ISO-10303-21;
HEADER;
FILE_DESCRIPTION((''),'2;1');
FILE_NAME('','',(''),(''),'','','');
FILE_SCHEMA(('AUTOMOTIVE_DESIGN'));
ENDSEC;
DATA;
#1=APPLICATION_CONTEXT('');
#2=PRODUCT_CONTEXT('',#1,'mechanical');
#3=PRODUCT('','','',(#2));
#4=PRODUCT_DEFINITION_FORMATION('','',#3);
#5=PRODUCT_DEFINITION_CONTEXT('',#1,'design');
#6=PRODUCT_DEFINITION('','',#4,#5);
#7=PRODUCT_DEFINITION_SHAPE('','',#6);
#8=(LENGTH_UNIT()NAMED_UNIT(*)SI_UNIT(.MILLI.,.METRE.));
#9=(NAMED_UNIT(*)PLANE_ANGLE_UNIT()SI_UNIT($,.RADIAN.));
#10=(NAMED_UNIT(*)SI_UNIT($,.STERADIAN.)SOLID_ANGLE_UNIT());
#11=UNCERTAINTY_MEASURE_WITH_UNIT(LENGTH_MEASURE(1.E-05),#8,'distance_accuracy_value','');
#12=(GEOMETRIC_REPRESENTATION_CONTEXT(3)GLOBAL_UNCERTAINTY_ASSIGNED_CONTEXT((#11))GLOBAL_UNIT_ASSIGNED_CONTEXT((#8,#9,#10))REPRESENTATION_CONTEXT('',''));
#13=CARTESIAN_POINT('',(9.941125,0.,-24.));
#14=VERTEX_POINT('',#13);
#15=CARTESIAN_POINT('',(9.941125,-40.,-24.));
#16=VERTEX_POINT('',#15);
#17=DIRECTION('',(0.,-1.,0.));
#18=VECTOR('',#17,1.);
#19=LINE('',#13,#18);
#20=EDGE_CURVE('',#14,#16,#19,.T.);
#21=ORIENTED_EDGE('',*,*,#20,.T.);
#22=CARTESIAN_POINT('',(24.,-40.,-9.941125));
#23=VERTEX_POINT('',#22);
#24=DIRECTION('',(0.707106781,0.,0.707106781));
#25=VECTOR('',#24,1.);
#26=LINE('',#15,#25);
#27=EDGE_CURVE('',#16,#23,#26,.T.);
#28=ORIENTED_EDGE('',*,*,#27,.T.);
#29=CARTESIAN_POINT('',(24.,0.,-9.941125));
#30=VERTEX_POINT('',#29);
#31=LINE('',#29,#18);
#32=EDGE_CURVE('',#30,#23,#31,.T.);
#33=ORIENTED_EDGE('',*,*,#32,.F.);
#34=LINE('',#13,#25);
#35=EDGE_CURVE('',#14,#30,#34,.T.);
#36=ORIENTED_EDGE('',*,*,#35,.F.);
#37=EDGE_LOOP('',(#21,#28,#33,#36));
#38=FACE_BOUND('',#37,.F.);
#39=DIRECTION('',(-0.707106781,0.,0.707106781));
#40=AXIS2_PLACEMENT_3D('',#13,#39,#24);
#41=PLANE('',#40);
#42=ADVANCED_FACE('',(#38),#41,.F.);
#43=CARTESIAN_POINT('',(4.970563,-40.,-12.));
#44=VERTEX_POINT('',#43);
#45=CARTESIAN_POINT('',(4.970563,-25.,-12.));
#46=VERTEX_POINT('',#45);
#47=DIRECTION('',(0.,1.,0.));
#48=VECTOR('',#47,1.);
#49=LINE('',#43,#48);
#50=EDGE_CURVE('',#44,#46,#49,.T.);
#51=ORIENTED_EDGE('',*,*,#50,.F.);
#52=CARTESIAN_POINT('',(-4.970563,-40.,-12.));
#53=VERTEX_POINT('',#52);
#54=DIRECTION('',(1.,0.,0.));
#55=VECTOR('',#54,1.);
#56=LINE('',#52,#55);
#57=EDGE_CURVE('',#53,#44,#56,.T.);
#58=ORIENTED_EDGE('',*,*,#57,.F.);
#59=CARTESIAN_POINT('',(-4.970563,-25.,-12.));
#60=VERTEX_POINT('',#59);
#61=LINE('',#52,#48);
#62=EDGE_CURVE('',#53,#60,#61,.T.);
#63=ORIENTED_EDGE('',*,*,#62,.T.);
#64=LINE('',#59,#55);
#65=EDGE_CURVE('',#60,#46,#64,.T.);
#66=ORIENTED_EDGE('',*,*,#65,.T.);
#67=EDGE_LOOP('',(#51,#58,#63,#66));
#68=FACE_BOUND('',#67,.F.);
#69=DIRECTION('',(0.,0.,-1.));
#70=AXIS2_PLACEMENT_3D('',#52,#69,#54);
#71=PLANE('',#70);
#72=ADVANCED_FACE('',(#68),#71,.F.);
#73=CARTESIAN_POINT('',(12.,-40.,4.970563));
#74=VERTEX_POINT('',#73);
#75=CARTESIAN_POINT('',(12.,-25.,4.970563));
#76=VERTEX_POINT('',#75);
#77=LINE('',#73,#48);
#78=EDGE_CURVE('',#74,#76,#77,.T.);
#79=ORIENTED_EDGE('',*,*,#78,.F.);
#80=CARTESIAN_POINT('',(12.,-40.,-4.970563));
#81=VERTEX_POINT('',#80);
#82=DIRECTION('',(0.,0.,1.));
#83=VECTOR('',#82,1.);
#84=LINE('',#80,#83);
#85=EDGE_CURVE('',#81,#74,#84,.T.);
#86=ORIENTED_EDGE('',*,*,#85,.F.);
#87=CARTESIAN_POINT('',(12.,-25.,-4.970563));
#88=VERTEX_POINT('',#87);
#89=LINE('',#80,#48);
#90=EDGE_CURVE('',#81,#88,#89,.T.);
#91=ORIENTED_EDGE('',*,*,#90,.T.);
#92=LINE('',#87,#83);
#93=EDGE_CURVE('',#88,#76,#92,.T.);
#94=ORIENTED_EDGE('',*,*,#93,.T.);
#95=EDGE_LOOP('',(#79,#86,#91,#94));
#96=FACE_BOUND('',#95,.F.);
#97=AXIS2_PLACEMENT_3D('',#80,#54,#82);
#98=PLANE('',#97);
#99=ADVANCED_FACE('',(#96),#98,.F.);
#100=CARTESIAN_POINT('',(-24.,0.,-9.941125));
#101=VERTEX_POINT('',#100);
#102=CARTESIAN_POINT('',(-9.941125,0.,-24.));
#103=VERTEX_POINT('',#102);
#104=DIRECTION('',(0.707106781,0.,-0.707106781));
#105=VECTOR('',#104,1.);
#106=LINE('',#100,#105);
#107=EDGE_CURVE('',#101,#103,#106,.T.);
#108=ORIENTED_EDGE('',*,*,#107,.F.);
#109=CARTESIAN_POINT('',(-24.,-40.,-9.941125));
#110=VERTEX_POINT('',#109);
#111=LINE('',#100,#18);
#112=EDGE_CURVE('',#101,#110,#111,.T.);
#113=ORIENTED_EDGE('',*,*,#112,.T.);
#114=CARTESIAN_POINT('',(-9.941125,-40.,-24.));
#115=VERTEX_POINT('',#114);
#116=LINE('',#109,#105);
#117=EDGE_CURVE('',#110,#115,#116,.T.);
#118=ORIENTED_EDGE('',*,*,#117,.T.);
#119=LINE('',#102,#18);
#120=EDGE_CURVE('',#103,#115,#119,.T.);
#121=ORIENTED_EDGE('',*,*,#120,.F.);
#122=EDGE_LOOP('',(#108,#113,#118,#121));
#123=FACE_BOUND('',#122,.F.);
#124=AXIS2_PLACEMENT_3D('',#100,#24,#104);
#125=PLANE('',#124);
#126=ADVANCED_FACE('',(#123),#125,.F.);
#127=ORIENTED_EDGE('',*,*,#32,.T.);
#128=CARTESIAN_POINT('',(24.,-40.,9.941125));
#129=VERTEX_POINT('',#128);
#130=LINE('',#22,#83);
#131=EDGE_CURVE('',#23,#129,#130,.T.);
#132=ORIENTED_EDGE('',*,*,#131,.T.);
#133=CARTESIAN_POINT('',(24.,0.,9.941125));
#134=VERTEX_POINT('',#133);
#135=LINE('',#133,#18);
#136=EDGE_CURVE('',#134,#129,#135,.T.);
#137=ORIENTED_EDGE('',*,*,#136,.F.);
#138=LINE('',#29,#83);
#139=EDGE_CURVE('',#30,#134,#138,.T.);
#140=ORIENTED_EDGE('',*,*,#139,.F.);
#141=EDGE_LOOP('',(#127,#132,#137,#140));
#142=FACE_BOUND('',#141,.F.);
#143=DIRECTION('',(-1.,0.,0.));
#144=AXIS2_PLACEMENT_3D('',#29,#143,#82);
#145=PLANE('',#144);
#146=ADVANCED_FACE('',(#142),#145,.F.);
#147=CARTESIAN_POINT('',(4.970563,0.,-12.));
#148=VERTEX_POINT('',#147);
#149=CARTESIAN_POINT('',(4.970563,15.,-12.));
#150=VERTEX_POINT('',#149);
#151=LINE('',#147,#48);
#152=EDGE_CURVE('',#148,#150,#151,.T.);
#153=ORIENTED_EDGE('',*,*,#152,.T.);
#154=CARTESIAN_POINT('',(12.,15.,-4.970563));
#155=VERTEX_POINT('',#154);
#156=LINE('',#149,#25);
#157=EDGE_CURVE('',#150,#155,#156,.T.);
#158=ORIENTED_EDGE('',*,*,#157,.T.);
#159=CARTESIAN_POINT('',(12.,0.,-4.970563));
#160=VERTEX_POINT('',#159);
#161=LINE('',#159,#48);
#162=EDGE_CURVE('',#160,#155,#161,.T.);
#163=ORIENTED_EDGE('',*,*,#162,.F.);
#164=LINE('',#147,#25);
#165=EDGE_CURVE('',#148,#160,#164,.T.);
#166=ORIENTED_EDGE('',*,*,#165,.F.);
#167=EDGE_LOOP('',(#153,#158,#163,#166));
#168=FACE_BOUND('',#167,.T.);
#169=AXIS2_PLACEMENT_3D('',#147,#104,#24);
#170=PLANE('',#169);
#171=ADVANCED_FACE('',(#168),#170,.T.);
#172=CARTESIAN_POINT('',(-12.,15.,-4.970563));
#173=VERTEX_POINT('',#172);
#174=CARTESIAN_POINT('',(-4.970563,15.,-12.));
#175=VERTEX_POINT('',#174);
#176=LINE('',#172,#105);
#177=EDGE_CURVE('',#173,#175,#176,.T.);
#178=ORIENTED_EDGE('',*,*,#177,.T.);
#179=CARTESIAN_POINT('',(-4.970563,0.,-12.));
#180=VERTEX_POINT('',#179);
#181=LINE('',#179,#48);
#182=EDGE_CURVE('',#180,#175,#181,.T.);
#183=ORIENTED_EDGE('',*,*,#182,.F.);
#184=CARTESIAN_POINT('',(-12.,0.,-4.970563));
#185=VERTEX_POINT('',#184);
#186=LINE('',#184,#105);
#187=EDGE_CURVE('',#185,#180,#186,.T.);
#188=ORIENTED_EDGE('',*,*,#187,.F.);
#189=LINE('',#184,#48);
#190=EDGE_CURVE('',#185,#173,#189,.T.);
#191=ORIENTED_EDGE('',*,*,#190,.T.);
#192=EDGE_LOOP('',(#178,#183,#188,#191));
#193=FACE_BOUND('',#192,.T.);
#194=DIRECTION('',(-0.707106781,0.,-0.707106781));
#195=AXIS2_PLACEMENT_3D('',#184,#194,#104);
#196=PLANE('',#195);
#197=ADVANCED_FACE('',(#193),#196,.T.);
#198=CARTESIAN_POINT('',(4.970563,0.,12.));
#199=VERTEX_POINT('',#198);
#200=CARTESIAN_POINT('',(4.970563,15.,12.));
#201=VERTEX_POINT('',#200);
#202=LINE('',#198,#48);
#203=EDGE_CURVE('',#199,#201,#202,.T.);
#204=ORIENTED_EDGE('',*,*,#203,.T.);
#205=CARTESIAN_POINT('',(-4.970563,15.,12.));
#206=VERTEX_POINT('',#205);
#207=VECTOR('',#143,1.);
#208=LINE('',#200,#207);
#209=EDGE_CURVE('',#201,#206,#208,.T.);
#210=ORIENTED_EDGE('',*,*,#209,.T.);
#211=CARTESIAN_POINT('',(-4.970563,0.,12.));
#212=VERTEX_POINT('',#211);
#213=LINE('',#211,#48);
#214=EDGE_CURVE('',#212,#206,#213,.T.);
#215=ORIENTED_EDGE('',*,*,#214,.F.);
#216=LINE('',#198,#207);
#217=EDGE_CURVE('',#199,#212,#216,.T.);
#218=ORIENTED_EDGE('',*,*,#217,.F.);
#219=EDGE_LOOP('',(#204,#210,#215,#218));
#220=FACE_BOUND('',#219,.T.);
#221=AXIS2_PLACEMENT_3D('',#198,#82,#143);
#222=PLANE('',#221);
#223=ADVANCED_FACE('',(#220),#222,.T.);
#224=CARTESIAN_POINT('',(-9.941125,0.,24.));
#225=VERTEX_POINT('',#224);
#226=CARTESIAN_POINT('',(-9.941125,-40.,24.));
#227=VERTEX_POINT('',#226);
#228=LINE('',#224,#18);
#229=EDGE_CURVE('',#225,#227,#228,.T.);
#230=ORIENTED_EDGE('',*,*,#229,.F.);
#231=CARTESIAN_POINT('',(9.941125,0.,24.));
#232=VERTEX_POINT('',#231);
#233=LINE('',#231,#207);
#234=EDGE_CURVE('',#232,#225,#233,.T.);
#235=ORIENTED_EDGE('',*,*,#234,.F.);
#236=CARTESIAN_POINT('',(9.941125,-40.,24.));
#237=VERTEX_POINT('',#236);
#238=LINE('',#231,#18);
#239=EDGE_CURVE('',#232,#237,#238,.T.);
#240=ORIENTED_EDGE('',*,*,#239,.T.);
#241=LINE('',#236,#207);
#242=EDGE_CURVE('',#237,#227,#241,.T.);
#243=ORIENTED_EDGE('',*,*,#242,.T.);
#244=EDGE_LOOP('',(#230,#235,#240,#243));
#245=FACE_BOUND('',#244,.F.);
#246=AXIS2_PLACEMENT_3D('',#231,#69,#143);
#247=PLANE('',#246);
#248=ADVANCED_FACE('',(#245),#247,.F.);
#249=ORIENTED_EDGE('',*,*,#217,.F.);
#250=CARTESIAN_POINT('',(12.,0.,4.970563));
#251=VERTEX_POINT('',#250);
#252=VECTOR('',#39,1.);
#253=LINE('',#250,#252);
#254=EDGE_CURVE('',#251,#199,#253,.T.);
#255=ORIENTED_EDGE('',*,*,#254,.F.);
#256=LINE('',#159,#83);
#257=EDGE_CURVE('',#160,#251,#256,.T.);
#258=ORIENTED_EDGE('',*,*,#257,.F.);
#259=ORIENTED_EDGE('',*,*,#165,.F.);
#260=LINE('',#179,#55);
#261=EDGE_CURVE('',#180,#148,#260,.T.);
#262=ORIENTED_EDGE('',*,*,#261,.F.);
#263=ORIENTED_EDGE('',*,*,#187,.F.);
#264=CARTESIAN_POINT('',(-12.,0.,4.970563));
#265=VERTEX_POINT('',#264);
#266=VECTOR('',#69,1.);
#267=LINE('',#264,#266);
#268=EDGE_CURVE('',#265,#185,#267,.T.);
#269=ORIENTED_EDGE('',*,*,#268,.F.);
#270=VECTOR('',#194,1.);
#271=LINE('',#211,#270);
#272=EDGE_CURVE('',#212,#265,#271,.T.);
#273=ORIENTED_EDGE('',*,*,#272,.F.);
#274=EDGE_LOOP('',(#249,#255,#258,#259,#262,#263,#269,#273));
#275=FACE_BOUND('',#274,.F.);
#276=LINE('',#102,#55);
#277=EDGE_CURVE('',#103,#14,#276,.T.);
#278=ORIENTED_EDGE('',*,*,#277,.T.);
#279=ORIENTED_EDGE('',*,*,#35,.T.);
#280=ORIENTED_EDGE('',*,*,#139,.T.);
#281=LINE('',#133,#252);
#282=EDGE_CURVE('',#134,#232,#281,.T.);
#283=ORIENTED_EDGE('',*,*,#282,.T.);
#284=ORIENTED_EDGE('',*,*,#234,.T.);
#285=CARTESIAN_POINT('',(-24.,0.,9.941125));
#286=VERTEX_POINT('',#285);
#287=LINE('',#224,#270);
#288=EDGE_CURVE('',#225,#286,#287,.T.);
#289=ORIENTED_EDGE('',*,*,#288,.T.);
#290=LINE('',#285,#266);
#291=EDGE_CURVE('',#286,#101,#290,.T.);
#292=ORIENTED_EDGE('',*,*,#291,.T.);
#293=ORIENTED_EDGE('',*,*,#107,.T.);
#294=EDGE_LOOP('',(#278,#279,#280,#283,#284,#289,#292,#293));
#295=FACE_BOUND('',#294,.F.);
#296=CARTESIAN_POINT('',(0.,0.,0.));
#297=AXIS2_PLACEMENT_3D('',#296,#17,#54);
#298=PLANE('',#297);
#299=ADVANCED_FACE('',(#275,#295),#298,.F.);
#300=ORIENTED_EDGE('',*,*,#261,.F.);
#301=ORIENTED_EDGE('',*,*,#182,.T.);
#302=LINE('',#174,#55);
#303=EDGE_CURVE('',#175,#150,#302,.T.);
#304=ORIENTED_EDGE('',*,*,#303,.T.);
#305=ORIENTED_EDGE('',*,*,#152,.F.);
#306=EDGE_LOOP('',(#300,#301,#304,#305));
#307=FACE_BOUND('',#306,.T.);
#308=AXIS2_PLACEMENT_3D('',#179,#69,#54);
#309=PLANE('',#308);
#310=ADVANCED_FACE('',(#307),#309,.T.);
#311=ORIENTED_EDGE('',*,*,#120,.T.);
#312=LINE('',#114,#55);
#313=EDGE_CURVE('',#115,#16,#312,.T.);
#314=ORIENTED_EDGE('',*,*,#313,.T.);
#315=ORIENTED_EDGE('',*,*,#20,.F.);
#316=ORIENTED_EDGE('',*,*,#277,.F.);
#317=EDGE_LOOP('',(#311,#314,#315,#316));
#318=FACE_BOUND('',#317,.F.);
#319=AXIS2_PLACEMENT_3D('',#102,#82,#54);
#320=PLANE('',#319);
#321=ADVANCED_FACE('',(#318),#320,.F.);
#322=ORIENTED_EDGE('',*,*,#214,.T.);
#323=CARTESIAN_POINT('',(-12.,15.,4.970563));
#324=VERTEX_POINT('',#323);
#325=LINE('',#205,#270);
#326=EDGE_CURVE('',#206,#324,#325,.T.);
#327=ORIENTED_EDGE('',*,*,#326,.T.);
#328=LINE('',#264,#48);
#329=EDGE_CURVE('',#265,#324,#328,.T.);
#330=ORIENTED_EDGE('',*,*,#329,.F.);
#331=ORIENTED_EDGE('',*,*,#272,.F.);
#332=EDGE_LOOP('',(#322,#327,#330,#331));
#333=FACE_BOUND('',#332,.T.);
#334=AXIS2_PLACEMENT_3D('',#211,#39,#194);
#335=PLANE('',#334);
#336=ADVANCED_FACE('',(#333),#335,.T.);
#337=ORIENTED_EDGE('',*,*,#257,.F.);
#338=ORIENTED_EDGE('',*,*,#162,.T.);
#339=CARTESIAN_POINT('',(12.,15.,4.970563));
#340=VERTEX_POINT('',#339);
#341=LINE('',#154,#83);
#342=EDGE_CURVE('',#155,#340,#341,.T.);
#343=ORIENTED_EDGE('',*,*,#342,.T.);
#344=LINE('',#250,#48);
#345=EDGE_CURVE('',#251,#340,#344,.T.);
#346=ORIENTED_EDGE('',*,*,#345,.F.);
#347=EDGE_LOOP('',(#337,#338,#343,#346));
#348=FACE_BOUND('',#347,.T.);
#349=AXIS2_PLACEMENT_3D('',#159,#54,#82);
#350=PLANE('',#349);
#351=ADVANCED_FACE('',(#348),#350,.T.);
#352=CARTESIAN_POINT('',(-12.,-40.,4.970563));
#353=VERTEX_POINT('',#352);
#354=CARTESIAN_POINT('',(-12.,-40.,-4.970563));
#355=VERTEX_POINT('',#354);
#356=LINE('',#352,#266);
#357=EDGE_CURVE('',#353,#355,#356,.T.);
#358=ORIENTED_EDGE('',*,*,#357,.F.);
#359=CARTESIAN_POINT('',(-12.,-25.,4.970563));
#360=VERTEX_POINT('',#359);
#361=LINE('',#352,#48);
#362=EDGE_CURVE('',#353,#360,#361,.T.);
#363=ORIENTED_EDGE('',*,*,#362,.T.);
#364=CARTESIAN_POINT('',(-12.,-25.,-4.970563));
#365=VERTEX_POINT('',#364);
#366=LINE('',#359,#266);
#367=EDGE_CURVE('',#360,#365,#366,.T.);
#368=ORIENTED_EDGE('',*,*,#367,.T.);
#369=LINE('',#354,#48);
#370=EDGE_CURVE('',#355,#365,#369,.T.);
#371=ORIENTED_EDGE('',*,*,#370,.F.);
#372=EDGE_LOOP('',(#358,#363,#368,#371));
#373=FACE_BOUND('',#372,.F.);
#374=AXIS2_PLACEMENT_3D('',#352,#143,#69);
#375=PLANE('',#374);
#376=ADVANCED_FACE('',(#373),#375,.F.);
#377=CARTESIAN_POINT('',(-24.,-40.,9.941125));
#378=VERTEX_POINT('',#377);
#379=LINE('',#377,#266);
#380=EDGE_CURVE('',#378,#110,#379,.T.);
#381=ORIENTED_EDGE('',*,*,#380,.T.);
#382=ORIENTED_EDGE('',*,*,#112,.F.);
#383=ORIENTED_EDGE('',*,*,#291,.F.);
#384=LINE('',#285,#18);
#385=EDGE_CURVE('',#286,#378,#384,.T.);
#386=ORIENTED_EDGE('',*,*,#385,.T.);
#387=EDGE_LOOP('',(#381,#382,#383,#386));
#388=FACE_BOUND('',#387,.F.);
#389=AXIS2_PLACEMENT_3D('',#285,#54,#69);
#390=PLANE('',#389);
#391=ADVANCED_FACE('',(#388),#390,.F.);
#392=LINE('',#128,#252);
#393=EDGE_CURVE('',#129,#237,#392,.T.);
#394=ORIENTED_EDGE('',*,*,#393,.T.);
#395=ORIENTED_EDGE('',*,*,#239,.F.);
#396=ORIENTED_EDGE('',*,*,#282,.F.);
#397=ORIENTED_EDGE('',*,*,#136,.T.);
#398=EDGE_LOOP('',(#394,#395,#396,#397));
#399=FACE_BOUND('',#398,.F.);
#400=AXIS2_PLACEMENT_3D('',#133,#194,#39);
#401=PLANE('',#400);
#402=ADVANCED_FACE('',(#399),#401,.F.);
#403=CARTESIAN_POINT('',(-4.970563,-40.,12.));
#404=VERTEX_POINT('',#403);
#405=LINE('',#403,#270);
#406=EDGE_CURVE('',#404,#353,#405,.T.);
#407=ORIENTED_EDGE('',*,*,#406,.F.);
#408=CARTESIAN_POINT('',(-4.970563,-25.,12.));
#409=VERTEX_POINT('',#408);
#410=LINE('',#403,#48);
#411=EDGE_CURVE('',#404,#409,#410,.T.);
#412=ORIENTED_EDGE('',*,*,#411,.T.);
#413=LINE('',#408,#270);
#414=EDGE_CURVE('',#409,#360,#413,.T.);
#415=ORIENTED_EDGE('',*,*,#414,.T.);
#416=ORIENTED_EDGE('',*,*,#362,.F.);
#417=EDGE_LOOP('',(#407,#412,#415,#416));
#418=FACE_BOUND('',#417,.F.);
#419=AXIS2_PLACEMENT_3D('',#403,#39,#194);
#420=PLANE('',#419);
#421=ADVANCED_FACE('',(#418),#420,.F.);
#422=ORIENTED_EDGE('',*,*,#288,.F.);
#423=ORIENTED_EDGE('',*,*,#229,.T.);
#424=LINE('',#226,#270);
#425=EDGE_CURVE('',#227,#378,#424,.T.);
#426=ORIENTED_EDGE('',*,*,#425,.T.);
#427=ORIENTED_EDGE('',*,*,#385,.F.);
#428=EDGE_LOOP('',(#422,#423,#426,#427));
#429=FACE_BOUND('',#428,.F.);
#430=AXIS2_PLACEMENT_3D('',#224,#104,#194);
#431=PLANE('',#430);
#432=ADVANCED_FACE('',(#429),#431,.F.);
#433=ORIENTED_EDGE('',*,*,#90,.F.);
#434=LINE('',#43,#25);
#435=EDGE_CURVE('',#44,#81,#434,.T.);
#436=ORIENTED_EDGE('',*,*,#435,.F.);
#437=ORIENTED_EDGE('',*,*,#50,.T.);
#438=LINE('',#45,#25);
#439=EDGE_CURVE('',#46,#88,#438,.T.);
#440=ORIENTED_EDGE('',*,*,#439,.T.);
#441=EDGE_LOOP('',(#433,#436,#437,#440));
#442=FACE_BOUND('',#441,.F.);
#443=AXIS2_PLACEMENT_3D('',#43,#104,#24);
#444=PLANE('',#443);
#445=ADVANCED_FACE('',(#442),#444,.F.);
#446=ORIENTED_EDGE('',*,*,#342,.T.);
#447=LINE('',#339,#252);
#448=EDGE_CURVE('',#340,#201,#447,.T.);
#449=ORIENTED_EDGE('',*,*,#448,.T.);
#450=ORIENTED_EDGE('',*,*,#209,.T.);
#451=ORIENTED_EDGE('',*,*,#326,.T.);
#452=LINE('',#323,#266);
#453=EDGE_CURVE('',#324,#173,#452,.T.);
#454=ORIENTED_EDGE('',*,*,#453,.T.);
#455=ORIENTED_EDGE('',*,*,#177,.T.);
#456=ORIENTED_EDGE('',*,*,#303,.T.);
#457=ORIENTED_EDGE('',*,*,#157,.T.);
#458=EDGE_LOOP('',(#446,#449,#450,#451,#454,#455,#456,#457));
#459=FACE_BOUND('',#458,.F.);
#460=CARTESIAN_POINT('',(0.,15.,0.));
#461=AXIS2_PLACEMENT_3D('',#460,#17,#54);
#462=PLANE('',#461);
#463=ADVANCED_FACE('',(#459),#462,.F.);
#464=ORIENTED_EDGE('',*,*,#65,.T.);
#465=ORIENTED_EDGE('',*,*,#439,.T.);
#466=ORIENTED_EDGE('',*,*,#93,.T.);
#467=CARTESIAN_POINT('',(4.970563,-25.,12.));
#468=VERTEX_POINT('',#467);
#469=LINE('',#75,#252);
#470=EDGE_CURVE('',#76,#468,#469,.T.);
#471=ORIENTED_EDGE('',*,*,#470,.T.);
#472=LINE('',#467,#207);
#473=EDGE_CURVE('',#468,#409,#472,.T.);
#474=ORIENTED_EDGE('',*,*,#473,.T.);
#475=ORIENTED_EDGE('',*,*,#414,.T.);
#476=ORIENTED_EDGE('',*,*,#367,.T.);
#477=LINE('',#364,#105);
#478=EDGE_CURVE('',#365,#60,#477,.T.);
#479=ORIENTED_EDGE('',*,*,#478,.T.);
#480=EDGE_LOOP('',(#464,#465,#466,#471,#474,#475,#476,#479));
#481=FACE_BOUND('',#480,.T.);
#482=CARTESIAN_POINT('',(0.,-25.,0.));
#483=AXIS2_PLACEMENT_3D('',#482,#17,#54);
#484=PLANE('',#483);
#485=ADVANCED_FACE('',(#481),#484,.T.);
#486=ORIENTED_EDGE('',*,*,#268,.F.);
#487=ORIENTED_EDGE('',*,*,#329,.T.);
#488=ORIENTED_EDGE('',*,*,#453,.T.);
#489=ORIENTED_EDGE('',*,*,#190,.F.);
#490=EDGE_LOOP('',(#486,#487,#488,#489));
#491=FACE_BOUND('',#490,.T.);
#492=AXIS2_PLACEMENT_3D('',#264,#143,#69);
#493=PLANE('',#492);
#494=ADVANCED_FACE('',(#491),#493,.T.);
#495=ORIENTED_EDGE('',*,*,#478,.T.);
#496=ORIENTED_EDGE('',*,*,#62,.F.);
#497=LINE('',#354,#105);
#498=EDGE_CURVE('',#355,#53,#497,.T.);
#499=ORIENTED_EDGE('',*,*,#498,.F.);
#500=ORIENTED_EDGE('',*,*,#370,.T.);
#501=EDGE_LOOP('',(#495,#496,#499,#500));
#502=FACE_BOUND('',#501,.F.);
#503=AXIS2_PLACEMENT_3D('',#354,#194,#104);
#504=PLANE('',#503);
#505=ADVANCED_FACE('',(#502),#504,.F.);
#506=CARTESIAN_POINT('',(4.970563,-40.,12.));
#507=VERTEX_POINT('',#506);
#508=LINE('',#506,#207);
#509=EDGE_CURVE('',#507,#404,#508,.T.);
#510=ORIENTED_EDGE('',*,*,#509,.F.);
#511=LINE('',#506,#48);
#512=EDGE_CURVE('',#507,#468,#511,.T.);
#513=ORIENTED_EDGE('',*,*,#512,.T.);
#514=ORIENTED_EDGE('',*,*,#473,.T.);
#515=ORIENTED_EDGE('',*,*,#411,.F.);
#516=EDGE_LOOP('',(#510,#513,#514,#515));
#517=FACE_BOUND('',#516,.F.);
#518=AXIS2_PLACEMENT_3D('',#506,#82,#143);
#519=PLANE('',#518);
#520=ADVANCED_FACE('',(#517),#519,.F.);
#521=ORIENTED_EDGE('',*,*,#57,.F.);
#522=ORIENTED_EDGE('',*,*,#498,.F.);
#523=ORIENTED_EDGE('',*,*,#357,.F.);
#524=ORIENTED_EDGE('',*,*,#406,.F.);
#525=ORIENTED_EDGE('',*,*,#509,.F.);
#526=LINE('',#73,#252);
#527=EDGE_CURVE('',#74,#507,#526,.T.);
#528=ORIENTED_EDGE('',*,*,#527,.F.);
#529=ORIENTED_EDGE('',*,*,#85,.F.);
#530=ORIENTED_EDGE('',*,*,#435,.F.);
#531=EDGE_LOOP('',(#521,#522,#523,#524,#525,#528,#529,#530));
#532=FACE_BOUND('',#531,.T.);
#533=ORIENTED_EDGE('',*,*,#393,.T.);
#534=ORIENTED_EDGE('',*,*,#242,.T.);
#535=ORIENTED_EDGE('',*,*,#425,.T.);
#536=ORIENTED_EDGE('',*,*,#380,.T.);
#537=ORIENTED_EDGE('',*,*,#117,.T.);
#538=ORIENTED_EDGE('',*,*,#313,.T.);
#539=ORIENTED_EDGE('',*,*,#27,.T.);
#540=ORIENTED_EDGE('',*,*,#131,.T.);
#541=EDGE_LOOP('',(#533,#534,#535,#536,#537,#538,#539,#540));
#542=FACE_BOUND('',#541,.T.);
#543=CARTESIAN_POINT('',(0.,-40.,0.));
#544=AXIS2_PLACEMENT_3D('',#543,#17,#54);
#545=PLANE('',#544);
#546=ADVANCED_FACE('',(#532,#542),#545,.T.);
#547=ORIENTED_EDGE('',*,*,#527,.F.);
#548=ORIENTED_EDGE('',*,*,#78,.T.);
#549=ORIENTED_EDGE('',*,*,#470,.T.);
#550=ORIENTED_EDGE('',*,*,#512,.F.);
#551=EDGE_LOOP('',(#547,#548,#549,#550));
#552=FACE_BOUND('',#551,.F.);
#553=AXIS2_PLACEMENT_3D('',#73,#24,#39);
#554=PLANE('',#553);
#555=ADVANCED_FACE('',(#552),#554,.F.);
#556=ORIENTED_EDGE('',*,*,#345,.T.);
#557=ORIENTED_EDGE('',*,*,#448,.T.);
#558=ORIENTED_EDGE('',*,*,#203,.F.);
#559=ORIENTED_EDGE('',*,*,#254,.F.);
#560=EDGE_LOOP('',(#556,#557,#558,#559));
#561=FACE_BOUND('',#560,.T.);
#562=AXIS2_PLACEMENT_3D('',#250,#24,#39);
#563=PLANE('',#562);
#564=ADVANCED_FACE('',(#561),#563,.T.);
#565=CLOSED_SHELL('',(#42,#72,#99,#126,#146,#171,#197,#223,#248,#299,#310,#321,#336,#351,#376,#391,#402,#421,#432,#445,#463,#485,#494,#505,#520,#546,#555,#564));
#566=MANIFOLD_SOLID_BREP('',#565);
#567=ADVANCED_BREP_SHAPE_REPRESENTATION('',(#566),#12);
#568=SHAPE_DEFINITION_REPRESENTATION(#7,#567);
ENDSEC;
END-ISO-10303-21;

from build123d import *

# Parameters (mm, degrees)
F1_DEPTH = 40
F3_DEPTH = 15
F5_DEPTH = 15


with BuildPart() as f1:
    # F0 (on Front) → F1 (new body)
    with BuildSketch(Plane.XZ):
        Polygon((24, -9.941125497), (24, 9.941125497), (9.941125497, 24), (-9.941125497, 24), (-24, 9.941125497), (-24, -9.941125497), (-9.941125497, -24), (9.941125497, -24), align=None)
    extrude(amount=F1_DEPTH)

    # F2 (on Front) → F3 (join)
    with BuildSketch(Plane.XZ):
        Polygon((4.9705627485, -12), (12, -4.9705627485), (12, 4.9705627485), (4.9705627485, 12), (-4.9705627485, 12), (-12, 4.9705627485), (-12, -4.9705627485), (-4.9705627485, -12), align=None)
    extrude(amount=-F3_DEPTH)

    # F4 (on face) → F5 (cut)
    with BuildSketch(Plane.XZ.offset(40)):
        Polygon((-4.9705627485, -12), (4.9705627485, -12), (12, -4.9705627485), (12, 4.9705627485), (4.9705627485, 12), (-4.9705627485, 12), (-12, 4.9705627485), (-12, -4.9705627485), align=None)
    extrude(amount=-F5_DEPTH, mode=Mode.SUBTRACT)


solid = f1.part
